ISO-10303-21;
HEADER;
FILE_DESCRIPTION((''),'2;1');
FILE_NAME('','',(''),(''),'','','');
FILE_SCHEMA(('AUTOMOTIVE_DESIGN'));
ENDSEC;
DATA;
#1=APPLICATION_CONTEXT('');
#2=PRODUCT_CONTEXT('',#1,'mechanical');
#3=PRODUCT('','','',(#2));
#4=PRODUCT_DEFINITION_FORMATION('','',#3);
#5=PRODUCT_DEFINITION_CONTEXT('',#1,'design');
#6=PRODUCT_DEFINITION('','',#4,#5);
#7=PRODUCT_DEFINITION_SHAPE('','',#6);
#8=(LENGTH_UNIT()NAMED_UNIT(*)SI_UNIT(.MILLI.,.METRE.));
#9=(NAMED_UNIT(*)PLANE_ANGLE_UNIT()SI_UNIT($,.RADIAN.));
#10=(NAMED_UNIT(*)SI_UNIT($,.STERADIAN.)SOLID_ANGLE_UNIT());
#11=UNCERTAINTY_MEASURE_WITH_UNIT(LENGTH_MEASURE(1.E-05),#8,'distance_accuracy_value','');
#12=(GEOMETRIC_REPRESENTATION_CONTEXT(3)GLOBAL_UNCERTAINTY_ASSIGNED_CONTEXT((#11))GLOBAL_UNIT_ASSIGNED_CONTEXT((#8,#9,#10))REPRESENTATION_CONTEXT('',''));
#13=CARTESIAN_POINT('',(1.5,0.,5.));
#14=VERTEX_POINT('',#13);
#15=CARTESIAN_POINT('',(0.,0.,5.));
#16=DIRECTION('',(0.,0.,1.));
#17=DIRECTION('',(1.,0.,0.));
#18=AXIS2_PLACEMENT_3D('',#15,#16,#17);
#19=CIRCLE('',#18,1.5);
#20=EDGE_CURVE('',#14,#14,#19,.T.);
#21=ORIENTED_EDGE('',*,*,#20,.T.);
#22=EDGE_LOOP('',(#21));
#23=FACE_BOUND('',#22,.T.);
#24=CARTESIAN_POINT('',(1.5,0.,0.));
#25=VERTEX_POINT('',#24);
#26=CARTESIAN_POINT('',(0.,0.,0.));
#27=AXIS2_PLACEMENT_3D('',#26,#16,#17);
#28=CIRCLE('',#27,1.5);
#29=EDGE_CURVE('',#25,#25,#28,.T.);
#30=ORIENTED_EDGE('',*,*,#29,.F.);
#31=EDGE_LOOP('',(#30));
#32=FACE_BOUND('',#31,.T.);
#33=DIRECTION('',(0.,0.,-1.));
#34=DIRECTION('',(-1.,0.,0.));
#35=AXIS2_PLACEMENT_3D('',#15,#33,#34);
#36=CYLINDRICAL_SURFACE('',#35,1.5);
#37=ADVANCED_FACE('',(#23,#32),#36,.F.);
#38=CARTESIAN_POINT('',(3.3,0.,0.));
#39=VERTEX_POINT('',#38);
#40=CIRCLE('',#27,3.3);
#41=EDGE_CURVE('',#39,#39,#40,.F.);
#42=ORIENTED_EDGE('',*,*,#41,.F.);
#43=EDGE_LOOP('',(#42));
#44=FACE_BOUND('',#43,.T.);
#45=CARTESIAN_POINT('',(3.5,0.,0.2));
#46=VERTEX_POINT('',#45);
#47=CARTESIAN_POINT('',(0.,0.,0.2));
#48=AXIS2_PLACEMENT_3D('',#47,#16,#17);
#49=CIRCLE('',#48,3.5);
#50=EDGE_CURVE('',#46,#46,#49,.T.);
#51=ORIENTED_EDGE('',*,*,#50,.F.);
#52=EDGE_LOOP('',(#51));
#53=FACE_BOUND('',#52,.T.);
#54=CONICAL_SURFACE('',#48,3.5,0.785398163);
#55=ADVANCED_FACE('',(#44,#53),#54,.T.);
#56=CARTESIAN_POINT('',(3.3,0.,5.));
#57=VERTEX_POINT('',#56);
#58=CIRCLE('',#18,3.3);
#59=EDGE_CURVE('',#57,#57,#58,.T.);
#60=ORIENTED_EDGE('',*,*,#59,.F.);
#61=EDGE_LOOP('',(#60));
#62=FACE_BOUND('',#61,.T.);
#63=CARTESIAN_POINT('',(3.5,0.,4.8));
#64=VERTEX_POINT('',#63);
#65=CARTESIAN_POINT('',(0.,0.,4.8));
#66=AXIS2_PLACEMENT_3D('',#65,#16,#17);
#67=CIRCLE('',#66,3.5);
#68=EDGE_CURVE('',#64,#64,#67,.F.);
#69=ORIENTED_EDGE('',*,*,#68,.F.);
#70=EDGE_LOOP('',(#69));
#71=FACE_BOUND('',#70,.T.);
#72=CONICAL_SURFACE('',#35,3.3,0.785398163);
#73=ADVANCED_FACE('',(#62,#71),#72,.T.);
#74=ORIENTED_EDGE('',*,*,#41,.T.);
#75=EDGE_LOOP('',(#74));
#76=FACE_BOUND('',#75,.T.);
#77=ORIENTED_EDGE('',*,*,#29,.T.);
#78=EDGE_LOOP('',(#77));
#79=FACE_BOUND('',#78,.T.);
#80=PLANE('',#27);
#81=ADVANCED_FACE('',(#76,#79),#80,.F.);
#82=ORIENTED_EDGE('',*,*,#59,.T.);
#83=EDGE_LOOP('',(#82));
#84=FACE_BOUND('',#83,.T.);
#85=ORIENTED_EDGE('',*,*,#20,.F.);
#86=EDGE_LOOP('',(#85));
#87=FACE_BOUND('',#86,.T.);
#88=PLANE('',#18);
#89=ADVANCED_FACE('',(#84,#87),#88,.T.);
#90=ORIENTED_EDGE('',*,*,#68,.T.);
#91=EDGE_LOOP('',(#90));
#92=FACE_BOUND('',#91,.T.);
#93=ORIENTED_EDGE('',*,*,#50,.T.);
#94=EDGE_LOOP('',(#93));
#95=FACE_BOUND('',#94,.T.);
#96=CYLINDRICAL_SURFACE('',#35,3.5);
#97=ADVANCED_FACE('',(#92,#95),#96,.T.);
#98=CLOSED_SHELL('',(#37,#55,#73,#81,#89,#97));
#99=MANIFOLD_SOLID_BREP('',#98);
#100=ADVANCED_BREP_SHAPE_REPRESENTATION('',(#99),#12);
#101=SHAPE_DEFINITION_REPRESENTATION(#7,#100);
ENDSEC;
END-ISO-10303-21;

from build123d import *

# Parameters (mm, degrees)
ESQUISSE1_R          = 3.5
ESQUISSE1_R_2        = 1.5
BASE_EXTRUSION_DEPTH = 5
CHANFREIN1_SIZE      = 0.2


with BuildPart() as part:
    # Esquisse1 → Base-Extrusion (new body)
    with BuildSketch(Plane.XY):
        Circle(ESQUISSE1_R)
        Circle(ESQUISSE1_R_2, mode=Mode.SUBTRACT)
    extrude(amount=BASE_EXTRUSION_DEPTH)

    # Chanfrein1
    chanfrein1_edges = [part.edges().sort_by_distance(p)[0] for p in [
        (-3.5, 0, 0),
        (-3.5, 0, 5),
    ]]
    chamfer(chanfrein1_edges, length=CHANFREIN1_SIZE)


solid = part.part
